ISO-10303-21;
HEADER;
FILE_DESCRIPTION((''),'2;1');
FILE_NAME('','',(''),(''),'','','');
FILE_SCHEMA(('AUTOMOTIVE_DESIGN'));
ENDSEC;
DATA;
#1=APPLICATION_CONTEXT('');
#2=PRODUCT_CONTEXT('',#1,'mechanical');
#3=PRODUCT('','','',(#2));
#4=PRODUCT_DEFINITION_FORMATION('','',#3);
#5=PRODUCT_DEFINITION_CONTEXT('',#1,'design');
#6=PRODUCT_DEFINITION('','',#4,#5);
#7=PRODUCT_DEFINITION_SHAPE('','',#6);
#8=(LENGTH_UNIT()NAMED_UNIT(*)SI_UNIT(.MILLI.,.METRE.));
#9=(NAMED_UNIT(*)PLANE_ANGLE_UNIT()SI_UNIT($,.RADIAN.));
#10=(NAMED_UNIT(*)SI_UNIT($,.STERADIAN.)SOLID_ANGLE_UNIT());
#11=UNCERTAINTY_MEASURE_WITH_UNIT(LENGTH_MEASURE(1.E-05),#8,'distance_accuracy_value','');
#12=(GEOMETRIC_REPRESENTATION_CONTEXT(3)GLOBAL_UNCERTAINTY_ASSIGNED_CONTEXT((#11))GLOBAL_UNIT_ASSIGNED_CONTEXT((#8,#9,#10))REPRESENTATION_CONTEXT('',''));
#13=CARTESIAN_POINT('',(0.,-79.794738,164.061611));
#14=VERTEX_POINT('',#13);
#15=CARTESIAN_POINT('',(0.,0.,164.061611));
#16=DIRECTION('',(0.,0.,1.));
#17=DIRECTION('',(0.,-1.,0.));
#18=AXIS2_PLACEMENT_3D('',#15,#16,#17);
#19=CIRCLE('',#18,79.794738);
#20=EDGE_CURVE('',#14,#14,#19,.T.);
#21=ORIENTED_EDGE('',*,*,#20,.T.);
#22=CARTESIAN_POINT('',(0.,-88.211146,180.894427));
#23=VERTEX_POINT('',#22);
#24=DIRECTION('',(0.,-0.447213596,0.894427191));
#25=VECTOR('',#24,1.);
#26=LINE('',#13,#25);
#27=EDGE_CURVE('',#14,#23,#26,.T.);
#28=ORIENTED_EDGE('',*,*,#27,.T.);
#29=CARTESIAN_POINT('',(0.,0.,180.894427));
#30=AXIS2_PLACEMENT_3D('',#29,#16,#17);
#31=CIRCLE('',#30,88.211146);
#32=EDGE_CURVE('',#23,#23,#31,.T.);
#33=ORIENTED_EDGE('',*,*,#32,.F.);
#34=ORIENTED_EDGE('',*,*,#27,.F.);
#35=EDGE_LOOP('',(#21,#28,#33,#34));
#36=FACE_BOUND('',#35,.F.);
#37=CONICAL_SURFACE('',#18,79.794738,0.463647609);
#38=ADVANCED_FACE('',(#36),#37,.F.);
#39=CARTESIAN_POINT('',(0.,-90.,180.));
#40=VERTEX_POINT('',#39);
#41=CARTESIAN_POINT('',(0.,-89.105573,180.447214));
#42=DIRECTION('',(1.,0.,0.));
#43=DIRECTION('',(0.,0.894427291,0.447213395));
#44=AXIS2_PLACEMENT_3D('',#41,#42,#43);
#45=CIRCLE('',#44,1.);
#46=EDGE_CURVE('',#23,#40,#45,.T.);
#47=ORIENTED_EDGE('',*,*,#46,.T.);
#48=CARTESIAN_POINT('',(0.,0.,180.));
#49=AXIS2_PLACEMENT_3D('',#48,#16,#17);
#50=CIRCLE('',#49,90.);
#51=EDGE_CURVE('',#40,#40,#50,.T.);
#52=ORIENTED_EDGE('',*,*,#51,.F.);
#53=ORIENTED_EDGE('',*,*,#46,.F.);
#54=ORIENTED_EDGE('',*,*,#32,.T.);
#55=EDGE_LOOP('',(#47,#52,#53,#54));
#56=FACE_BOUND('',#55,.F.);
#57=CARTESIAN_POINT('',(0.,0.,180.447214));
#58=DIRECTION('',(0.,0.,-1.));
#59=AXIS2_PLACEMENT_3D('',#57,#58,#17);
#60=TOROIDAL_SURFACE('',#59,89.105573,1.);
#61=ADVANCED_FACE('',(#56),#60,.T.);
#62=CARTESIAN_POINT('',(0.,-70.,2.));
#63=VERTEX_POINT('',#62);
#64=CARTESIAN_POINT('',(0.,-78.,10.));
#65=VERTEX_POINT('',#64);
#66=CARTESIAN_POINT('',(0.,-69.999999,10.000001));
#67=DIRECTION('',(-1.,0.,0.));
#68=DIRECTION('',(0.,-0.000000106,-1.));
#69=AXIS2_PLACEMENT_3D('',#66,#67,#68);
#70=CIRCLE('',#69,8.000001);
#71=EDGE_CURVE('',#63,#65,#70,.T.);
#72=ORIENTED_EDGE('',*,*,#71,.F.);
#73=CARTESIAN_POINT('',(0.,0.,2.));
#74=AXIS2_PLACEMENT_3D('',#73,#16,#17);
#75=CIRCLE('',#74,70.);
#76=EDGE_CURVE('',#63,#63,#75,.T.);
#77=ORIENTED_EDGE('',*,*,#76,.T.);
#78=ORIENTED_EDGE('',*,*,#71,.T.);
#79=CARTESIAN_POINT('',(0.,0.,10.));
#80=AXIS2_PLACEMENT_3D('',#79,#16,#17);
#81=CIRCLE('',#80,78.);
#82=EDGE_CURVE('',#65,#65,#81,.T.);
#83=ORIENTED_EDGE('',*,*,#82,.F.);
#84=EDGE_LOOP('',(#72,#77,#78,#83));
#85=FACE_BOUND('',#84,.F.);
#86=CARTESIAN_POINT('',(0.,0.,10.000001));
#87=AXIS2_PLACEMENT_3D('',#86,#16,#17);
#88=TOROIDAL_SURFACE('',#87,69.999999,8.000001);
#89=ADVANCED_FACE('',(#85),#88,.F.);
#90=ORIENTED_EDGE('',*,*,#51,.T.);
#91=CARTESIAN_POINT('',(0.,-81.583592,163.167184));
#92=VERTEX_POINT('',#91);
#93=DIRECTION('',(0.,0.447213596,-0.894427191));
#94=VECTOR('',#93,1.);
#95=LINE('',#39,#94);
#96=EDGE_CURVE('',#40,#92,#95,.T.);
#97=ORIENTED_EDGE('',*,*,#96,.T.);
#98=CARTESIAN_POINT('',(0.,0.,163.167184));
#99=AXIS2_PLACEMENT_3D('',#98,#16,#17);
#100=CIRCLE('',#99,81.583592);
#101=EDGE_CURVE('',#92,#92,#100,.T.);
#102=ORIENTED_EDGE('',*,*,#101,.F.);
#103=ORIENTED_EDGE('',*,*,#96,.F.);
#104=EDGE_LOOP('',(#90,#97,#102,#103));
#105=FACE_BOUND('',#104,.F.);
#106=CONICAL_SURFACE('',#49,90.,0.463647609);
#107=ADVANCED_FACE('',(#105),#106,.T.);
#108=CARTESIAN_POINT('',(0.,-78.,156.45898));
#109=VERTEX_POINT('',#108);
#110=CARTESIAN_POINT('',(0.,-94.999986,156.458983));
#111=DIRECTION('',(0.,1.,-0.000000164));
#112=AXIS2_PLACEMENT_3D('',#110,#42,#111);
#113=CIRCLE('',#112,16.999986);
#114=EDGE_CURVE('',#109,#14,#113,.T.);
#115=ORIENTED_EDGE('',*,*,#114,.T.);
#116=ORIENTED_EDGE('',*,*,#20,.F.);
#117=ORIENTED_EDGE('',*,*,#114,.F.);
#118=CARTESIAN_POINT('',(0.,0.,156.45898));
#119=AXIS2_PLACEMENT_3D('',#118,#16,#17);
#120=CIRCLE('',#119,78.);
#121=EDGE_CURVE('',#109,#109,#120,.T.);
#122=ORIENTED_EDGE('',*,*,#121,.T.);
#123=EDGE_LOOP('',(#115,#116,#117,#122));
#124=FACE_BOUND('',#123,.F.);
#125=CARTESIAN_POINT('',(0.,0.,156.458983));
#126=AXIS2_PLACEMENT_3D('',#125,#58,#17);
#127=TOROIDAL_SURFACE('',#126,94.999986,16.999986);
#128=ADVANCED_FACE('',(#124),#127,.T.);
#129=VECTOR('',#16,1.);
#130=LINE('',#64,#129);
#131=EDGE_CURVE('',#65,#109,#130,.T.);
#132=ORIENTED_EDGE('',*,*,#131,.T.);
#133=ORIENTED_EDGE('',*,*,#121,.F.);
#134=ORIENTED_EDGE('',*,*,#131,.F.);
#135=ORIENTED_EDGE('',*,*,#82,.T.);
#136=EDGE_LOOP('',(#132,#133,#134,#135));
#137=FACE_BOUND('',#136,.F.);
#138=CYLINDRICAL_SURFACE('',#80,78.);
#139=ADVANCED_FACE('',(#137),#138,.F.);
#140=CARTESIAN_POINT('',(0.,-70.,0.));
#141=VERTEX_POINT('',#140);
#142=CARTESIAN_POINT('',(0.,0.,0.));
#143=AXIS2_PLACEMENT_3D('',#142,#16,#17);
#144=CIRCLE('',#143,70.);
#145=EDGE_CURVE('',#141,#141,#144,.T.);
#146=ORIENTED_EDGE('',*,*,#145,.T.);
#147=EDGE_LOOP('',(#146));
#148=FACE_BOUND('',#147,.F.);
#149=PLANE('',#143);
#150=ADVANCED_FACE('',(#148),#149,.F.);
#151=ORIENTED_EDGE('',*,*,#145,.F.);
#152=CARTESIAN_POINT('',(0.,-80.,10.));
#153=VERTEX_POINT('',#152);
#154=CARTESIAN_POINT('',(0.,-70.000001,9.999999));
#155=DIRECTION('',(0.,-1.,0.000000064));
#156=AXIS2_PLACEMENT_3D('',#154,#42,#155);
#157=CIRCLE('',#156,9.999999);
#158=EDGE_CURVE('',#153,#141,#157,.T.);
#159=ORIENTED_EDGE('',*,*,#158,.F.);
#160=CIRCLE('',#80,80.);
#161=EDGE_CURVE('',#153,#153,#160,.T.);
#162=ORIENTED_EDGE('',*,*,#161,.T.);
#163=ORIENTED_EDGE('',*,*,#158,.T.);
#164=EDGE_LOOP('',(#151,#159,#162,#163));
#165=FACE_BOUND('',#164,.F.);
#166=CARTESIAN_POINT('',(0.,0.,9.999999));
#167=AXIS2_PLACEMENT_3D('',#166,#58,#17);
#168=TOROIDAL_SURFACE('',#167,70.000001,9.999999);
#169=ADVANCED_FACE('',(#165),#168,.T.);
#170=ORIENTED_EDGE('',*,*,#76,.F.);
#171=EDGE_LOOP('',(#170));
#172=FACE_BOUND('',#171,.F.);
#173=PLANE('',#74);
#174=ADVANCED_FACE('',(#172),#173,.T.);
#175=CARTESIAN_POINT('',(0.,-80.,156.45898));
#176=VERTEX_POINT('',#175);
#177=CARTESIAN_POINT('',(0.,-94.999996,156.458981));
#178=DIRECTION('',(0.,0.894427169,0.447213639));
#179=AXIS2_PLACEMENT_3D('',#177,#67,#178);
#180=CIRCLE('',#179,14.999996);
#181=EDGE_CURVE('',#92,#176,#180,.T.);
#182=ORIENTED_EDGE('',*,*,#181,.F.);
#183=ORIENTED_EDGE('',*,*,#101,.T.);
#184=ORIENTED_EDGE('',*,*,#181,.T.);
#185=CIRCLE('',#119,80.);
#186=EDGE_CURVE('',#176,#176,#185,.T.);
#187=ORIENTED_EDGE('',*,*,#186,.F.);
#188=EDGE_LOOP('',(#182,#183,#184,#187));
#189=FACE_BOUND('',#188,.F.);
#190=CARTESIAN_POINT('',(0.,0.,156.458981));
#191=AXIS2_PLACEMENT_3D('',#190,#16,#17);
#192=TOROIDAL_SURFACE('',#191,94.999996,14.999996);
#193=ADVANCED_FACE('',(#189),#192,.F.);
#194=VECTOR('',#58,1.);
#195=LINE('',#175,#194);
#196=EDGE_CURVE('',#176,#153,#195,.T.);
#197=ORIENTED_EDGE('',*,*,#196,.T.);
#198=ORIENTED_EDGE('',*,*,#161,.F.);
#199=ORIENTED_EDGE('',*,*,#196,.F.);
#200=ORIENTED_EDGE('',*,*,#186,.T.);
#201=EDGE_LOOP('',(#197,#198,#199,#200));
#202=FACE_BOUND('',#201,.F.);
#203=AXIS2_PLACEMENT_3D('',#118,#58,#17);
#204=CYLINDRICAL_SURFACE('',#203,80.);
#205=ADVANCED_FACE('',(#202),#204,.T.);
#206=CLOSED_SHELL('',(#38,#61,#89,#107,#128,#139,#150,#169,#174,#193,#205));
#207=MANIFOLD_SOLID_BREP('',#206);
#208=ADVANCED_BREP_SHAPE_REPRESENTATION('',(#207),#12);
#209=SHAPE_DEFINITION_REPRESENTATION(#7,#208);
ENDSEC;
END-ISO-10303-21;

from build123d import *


with BuildPart() as f1:
    # F0 (on Right) → F1 (revolve)
    with BuildSketch(Plane.YZ):
        with BuildLine():
            Line((-70, 0), (0, 0))
            Line((0, 0), (0, 2))
            Line((0, 2), (-70, 2))
            ThreePointArc((-70, 2), (-75.656854, 4.343146), (-78, 10))
            Line((-78, 10), (-78, 156.45898))
            ThreePointArc((-78, 156.45898), (-78.454767, 160.36478), (-79.794738, 164.061611))
            Line((-79.794738, 164.061611), (-88.211146, 180.894427))
            ThreePointArc((-88.211146, 180.894427), (-89.552786, 181.341641), (-90, 180))
            Line((-90, 180), (-81.583592, 163.167184))
            ThreePointArc((-81.583592, 163.167184), (-80.401265, 159.905274), (-80, 156.45898))
            Line((-80, 156.45898), (-80, 10))
            ThreePointArc((-80, 10), (-77.071068, 2.928932), (-70, 0))
        make_face()
    revolve(axis=Axis((0, 0, 41.621631), (0, 0, 1)))


solid = f1.part
